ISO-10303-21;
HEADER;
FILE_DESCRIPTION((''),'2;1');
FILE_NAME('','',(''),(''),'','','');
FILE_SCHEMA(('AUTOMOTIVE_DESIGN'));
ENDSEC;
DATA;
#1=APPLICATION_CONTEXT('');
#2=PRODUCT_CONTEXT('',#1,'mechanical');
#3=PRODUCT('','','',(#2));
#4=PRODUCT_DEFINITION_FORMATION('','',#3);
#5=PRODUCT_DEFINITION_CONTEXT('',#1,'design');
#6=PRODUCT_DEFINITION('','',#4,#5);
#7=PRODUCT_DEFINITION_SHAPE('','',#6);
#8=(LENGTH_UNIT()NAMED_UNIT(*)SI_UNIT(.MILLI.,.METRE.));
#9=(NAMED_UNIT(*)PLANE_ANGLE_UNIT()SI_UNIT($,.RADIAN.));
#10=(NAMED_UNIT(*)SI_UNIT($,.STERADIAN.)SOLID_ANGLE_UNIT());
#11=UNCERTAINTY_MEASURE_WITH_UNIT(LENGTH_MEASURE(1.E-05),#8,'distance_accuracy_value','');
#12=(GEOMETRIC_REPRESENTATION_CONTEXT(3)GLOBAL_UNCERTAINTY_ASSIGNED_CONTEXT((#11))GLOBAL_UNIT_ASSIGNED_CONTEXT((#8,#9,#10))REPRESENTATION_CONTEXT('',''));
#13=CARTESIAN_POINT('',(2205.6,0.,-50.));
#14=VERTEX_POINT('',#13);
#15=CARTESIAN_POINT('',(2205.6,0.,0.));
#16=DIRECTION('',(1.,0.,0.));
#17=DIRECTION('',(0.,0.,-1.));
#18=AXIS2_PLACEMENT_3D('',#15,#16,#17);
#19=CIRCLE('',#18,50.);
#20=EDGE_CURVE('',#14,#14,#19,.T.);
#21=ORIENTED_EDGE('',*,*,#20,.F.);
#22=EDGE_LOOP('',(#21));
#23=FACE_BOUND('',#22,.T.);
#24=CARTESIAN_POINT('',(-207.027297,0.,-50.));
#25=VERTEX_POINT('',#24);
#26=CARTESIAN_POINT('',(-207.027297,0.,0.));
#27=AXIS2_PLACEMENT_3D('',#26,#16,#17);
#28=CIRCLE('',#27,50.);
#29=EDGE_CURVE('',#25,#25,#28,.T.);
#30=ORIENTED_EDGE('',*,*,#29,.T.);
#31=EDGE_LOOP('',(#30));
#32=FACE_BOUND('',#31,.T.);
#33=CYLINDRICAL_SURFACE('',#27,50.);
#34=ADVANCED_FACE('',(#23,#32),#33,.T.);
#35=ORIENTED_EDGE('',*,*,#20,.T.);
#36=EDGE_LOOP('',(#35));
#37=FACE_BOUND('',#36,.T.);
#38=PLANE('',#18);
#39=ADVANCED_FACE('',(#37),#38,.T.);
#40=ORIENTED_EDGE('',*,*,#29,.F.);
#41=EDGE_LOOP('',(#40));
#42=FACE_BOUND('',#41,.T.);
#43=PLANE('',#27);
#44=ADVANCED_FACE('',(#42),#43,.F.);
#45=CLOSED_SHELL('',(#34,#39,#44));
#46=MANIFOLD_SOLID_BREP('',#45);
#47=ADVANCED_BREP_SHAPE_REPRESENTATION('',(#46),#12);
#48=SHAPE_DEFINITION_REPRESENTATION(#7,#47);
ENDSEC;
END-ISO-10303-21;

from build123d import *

# Parameters (mm, degrees)
BOSS_EXTRUDE1_DEPTH      = 2205.6
BOSS_EXTRUDE1_DEPTH_BACK = 207.027297066
SKETCH1_R                = 50


with BuildPart() as part:
    # Sketch1 → Boss-Extrude1 (new, two sides: drawn at the far end of the back side and taken through both)
    with BuildSketch(Plane(origin=(0, 0, 0), x_dir=(0, 0, -1), z_dir=(1, 0, 0)).offset(-BOSS_EXTRUDE1_DEPTH_BACK)):
        Circle(SKETCH1_R)
    extrude(amount=BOSS_EXTRUDE1_DEPTH + BOSS_EXTRUDE1_DEPTH_BACK)


solid = part.part
